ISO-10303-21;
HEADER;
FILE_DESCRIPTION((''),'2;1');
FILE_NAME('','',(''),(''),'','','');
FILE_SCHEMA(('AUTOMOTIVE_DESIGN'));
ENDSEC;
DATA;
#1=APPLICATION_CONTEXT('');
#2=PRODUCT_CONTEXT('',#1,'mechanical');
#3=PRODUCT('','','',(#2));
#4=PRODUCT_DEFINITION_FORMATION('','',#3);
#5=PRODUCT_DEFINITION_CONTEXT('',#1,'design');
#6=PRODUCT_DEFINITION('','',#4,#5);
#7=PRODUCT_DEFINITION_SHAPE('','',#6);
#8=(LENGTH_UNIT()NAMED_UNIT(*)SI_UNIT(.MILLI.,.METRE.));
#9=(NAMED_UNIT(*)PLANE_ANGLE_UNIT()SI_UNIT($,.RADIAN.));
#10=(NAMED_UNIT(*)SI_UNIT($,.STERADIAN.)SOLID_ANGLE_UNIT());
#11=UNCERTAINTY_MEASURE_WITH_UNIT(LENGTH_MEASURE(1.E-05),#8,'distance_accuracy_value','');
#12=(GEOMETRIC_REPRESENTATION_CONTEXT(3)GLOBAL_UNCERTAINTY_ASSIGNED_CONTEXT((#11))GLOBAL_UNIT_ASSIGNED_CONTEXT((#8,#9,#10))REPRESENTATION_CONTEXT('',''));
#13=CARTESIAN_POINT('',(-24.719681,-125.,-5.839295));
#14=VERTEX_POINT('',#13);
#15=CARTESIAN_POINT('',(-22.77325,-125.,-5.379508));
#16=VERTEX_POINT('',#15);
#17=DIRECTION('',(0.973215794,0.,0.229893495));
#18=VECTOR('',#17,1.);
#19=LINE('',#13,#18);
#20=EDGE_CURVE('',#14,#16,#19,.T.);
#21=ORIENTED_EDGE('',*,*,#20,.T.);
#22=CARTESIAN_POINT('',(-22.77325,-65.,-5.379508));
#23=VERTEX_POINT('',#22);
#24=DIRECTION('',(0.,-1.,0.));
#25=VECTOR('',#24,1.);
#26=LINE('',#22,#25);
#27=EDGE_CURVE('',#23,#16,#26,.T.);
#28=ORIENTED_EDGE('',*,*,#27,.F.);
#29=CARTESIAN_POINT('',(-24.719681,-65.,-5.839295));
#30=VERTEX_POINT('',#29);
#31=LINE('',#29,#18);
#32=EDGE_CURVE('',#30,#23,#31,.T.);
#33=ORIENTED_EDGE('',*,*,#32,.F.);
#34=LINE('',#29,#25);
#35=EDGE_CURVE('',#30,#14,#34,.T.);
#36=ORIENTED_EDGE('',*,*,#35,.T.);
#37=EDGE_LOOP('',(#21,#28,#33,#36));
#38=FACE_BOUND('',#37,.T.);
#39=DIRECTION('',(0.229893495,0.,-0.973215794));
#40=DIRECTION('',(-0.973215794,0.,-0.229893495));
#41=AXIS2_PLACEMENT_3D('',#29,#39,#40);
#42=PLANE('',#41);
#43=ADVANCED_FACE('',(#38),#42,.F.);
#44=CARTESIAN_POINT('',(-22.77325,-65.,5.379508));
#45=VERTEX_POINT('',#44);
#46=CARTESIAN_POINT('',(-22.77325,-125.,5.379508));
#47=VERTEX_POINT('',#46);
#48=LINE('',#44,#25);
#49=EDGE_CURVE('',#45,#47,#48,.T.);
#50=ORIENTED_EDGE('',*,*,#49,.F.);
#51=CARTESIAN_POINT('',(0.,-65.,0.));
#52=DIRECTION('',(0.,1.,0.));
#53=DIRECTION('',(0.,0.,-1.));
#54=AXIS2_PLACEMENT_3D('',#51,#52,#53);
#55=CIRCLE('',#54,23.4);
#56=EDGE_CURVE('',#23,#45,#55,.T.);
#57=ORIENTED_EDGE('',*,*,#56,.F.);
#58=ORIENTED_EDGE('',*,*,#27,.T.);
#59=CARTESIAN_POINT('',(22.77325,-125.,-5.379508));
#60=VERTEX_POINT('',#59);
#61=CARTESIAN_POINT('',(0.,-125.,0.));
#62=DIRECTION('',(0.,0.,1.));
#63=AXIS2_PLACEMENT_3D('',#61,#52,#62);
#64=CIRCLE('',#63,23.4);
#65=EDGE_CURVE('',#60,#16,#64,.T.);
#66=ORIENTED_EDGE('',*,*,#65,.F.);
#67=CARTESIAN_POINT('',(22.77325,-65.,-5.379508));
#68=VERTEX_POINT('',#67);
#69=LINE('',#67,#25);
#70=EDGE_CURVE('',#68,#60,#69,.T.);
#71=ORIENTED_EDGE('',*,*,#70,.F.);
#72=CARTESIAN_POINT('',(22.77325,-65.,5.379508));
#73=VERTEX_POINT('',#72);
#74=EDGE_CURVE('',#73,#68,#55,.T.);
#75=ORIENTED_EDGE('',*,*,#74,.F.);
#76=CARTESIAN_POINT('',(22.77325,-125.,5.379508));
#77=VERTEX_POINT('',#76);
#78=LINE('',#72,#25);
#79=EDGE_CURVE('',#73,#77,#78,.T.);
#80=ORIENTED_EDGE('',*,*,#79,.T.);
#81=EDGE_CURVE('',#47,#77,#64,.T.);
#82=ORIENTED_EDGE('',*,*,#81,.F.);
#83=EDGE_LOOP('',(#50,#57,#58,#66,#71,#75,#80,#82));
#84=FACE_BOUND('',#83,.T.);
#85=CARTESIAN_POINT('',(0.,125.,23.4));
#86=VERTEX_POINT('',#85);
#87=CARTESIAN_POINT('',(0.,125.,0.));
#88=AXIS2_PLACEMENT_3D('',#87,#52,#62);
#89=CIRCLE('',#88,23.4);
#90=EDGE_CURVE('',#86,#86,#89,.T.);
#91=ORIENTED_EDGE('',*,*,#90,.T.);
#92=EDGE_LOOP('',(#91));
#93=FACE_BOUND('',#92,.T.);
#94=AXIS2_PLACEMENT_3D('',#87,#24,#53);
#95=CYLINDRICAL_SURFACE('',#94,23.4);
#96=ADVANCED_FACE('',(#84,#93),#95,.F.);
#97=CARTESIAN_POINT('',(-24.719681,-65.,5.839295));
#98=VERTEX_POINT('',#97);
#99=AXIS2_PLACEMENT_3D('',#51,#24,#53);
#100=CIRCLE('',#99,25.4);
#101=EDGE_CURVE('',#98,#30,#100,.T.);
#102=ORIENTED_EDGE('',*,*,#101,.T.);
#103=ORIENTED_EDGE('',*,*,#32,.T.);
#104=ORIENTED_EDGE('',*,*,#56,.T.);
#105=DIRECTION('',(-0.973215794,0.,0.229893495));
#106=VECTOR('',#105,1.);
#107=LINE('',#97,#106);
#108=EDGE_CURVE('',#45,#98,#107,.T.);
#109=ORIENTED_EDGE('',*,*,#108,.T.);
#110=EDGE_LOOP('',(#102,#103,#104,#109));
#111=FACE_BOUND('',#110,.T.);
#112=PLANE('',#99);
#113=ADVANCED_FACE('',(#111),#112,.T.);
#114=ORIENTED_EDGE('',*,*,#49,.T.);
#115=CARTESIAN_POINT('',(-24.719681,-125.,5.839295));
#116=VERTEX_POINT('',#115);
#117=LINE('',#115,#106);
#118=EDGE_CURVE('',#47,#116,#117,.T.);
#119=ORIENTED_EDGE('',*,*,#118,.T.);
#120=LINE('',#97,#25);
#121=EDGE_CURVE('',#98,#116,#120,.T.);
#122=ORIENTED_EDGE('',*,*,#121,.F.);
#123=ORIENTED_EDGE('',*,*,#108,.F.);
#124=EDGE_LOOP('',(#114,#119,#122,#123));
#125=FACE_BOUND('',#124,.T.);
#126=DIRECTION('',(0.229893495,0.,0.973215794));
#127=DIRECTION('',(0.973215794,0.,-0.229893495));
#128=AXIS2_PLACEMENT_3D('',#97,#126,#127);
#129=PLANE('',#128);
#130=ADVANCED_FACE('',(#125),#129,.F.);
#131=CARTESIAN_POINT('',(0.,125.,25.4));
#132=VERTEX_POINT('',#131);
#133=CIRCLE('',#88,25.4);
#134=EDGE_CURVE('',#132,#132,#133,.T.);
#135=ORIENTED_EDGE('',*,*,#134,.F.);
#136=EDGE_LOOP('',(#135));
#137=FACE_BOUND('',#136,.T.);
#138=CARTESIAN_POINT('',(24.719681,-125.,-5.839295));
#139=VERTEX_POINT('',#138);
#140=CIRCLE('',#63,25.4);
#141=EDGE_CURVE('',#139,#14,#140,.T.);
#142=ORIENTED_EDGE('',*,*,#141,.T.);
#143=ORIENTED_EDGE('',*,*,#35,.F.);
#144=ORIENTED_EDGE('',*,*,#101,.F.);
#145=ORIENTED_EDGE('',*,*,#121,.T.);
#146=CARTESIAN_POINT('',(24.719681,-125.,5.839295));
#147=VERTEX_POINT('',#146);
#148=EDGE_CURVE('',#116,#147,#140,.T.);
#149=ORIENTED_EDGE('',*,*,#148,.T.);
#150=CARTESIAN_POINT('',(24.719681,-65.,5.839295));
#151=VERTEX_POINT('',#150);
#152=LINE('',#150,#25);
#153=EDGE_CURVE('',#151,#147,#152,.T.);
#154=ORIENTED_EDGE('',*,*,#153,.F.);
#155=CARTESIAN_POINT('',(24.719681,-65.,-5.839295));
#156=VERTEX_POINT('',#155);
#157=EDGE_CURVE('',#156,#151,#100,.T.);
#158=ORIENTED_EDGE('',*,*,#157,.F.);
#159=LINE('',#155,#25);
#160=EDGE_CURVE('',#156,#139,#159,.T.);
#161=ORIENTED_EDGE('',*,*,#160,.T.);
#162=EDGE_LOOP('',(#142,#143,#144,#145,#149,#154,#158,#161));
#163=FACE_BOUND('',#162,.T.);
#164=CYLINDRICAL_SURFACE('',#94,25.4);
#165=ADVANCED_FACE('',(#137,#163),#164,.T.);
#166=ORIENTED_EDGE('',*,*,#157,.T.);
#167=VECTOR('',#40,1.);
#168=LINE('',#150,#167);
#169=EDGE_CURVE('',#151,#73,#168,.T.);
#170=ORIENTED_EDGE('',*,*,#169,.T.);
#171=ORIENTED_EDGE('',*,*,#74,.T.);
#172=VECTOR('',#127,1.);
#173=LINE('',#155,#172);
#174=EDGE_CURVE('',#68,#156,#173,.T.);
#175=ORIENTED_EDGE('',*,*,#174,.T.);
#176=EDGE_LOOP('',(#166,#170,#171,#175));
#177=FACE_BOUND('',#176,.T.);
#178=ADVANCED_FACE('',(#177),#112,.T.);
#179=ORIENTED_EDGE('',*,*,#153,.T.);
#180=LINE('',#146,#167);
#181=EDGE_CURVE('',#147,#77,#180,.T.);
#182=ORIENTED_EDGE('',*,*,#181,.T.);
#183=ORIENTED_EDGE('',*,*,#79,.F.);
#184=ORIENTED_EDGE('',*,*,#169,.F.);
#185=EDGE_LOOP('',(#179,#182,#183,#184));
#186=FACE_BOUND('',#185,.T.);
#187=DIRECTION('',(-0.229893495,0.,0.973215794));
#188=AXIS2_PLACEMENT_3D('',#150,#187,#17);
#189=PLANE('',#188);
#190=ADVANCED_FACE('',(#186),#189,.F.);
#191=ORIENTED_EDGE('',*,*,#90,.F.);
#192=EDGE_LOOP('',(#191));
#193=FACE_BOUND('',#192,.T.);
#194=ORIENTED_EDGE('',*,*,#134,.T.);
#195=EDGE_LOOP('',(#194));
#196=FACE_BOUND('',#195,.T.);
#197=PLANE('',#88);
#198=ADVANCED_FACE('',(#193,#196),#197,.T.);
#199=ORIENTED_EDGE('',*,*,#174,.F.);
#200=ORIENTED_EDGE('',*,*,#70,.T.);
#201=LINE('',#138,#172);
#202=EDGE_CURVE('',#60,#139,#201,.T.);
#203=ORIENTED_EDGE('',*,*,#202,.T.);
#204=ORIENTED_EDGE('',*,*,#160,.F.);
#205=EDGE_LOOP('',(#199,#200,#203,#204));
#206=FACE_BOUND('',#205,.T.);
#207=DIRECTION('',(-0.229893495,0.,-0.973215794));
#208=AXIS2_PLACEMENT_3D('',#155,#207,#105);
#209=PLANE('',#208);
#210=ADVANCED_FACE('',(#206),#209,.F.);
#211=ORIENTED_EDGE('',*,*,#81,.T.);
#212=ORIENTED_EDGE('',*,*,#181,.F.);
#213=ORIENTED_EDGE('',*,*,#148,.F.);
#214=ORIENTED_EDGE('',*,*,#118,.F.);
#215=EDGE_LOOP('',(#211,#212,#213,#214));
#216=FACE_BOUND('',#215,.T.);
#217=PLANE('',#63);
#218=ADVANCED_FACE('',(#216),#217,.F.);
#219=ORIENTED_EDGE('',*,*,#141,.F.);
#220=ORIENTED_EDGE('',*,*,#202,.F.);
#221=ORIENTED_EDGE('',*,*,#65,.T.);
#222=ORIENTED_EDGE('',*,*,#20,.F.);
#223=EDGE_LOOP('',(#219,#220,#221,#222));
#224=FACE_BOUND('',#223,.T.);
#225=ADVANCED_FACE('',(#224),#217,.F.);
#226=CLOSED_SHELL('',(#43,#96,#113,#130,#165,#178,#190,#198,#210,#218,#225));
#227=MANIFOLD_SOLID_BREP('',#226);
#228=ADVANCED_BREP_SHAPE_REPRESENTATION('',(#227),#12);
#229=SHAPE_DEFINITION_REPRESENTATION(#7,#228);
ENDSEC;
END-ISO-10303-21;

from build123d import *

# Parameters (mm, degrees)
SKETCH1_R           = 25.4
SKETCH1_R_2         = 23.4
BOSS_EXTRUDE1_DEPTH = 125
CUT_EXTRUDE1_DEPTH  = 60


with BuildPart() as part:
    # Sketch1 → Boss-Extrude1 (new body, symmetric)
    with BuildSketch(Plane(origin=(0, 0, 0), x_dir=(1, 0, 0), z_dir=(0, 1, 0))):
        Circle(SKETCH1_R)
        Circle(SKETCH1_R_2, mode=Mode.SUBTRACT)
    extrude(amount=BOSS_EXTRUDE1_DEPTH, both=True)

    # Sketch2 → Cut-Extrude1 (cut)
    with BuildSketch(Plane.XZ.offset(125)):
        with BuildLine():
            Line((-24.719681161, -5.839294762), (-22.773249573, -5.379507773))
            ThreePointArc((-22.773249573, -5.379507773), (-23.4, 0), (-22.773249573, 5.379507773))
            Line((-22.773249573, 5.379507773), (-24.719681161, 5.839294762))
            ThreePointArc((-24.719681161, 5.839294762), (-25.4, 0), (-24.719681161, -5.839294762))
        make_face()
        with BuildLine():
            Line((24.719681161, -5.839294762), (22.773249573, -5.379507773))
            ThreePointArc((22.773249573, -5.379507773), (23.4, 0), (22.773249573, 5.379507773))
            Line((22.773249573, 5.379507773), (24.719681161, 5.839294762))
            ThreePointArc((24.719681161, 5.839294762), (25.4, 0), (24.719681161, -5.839294762))
        make_face()
    extrude(amount=-CUT_EXTRUDE1_DEPTH, mode=Mode.SUBTRACT)


solid = part.part
